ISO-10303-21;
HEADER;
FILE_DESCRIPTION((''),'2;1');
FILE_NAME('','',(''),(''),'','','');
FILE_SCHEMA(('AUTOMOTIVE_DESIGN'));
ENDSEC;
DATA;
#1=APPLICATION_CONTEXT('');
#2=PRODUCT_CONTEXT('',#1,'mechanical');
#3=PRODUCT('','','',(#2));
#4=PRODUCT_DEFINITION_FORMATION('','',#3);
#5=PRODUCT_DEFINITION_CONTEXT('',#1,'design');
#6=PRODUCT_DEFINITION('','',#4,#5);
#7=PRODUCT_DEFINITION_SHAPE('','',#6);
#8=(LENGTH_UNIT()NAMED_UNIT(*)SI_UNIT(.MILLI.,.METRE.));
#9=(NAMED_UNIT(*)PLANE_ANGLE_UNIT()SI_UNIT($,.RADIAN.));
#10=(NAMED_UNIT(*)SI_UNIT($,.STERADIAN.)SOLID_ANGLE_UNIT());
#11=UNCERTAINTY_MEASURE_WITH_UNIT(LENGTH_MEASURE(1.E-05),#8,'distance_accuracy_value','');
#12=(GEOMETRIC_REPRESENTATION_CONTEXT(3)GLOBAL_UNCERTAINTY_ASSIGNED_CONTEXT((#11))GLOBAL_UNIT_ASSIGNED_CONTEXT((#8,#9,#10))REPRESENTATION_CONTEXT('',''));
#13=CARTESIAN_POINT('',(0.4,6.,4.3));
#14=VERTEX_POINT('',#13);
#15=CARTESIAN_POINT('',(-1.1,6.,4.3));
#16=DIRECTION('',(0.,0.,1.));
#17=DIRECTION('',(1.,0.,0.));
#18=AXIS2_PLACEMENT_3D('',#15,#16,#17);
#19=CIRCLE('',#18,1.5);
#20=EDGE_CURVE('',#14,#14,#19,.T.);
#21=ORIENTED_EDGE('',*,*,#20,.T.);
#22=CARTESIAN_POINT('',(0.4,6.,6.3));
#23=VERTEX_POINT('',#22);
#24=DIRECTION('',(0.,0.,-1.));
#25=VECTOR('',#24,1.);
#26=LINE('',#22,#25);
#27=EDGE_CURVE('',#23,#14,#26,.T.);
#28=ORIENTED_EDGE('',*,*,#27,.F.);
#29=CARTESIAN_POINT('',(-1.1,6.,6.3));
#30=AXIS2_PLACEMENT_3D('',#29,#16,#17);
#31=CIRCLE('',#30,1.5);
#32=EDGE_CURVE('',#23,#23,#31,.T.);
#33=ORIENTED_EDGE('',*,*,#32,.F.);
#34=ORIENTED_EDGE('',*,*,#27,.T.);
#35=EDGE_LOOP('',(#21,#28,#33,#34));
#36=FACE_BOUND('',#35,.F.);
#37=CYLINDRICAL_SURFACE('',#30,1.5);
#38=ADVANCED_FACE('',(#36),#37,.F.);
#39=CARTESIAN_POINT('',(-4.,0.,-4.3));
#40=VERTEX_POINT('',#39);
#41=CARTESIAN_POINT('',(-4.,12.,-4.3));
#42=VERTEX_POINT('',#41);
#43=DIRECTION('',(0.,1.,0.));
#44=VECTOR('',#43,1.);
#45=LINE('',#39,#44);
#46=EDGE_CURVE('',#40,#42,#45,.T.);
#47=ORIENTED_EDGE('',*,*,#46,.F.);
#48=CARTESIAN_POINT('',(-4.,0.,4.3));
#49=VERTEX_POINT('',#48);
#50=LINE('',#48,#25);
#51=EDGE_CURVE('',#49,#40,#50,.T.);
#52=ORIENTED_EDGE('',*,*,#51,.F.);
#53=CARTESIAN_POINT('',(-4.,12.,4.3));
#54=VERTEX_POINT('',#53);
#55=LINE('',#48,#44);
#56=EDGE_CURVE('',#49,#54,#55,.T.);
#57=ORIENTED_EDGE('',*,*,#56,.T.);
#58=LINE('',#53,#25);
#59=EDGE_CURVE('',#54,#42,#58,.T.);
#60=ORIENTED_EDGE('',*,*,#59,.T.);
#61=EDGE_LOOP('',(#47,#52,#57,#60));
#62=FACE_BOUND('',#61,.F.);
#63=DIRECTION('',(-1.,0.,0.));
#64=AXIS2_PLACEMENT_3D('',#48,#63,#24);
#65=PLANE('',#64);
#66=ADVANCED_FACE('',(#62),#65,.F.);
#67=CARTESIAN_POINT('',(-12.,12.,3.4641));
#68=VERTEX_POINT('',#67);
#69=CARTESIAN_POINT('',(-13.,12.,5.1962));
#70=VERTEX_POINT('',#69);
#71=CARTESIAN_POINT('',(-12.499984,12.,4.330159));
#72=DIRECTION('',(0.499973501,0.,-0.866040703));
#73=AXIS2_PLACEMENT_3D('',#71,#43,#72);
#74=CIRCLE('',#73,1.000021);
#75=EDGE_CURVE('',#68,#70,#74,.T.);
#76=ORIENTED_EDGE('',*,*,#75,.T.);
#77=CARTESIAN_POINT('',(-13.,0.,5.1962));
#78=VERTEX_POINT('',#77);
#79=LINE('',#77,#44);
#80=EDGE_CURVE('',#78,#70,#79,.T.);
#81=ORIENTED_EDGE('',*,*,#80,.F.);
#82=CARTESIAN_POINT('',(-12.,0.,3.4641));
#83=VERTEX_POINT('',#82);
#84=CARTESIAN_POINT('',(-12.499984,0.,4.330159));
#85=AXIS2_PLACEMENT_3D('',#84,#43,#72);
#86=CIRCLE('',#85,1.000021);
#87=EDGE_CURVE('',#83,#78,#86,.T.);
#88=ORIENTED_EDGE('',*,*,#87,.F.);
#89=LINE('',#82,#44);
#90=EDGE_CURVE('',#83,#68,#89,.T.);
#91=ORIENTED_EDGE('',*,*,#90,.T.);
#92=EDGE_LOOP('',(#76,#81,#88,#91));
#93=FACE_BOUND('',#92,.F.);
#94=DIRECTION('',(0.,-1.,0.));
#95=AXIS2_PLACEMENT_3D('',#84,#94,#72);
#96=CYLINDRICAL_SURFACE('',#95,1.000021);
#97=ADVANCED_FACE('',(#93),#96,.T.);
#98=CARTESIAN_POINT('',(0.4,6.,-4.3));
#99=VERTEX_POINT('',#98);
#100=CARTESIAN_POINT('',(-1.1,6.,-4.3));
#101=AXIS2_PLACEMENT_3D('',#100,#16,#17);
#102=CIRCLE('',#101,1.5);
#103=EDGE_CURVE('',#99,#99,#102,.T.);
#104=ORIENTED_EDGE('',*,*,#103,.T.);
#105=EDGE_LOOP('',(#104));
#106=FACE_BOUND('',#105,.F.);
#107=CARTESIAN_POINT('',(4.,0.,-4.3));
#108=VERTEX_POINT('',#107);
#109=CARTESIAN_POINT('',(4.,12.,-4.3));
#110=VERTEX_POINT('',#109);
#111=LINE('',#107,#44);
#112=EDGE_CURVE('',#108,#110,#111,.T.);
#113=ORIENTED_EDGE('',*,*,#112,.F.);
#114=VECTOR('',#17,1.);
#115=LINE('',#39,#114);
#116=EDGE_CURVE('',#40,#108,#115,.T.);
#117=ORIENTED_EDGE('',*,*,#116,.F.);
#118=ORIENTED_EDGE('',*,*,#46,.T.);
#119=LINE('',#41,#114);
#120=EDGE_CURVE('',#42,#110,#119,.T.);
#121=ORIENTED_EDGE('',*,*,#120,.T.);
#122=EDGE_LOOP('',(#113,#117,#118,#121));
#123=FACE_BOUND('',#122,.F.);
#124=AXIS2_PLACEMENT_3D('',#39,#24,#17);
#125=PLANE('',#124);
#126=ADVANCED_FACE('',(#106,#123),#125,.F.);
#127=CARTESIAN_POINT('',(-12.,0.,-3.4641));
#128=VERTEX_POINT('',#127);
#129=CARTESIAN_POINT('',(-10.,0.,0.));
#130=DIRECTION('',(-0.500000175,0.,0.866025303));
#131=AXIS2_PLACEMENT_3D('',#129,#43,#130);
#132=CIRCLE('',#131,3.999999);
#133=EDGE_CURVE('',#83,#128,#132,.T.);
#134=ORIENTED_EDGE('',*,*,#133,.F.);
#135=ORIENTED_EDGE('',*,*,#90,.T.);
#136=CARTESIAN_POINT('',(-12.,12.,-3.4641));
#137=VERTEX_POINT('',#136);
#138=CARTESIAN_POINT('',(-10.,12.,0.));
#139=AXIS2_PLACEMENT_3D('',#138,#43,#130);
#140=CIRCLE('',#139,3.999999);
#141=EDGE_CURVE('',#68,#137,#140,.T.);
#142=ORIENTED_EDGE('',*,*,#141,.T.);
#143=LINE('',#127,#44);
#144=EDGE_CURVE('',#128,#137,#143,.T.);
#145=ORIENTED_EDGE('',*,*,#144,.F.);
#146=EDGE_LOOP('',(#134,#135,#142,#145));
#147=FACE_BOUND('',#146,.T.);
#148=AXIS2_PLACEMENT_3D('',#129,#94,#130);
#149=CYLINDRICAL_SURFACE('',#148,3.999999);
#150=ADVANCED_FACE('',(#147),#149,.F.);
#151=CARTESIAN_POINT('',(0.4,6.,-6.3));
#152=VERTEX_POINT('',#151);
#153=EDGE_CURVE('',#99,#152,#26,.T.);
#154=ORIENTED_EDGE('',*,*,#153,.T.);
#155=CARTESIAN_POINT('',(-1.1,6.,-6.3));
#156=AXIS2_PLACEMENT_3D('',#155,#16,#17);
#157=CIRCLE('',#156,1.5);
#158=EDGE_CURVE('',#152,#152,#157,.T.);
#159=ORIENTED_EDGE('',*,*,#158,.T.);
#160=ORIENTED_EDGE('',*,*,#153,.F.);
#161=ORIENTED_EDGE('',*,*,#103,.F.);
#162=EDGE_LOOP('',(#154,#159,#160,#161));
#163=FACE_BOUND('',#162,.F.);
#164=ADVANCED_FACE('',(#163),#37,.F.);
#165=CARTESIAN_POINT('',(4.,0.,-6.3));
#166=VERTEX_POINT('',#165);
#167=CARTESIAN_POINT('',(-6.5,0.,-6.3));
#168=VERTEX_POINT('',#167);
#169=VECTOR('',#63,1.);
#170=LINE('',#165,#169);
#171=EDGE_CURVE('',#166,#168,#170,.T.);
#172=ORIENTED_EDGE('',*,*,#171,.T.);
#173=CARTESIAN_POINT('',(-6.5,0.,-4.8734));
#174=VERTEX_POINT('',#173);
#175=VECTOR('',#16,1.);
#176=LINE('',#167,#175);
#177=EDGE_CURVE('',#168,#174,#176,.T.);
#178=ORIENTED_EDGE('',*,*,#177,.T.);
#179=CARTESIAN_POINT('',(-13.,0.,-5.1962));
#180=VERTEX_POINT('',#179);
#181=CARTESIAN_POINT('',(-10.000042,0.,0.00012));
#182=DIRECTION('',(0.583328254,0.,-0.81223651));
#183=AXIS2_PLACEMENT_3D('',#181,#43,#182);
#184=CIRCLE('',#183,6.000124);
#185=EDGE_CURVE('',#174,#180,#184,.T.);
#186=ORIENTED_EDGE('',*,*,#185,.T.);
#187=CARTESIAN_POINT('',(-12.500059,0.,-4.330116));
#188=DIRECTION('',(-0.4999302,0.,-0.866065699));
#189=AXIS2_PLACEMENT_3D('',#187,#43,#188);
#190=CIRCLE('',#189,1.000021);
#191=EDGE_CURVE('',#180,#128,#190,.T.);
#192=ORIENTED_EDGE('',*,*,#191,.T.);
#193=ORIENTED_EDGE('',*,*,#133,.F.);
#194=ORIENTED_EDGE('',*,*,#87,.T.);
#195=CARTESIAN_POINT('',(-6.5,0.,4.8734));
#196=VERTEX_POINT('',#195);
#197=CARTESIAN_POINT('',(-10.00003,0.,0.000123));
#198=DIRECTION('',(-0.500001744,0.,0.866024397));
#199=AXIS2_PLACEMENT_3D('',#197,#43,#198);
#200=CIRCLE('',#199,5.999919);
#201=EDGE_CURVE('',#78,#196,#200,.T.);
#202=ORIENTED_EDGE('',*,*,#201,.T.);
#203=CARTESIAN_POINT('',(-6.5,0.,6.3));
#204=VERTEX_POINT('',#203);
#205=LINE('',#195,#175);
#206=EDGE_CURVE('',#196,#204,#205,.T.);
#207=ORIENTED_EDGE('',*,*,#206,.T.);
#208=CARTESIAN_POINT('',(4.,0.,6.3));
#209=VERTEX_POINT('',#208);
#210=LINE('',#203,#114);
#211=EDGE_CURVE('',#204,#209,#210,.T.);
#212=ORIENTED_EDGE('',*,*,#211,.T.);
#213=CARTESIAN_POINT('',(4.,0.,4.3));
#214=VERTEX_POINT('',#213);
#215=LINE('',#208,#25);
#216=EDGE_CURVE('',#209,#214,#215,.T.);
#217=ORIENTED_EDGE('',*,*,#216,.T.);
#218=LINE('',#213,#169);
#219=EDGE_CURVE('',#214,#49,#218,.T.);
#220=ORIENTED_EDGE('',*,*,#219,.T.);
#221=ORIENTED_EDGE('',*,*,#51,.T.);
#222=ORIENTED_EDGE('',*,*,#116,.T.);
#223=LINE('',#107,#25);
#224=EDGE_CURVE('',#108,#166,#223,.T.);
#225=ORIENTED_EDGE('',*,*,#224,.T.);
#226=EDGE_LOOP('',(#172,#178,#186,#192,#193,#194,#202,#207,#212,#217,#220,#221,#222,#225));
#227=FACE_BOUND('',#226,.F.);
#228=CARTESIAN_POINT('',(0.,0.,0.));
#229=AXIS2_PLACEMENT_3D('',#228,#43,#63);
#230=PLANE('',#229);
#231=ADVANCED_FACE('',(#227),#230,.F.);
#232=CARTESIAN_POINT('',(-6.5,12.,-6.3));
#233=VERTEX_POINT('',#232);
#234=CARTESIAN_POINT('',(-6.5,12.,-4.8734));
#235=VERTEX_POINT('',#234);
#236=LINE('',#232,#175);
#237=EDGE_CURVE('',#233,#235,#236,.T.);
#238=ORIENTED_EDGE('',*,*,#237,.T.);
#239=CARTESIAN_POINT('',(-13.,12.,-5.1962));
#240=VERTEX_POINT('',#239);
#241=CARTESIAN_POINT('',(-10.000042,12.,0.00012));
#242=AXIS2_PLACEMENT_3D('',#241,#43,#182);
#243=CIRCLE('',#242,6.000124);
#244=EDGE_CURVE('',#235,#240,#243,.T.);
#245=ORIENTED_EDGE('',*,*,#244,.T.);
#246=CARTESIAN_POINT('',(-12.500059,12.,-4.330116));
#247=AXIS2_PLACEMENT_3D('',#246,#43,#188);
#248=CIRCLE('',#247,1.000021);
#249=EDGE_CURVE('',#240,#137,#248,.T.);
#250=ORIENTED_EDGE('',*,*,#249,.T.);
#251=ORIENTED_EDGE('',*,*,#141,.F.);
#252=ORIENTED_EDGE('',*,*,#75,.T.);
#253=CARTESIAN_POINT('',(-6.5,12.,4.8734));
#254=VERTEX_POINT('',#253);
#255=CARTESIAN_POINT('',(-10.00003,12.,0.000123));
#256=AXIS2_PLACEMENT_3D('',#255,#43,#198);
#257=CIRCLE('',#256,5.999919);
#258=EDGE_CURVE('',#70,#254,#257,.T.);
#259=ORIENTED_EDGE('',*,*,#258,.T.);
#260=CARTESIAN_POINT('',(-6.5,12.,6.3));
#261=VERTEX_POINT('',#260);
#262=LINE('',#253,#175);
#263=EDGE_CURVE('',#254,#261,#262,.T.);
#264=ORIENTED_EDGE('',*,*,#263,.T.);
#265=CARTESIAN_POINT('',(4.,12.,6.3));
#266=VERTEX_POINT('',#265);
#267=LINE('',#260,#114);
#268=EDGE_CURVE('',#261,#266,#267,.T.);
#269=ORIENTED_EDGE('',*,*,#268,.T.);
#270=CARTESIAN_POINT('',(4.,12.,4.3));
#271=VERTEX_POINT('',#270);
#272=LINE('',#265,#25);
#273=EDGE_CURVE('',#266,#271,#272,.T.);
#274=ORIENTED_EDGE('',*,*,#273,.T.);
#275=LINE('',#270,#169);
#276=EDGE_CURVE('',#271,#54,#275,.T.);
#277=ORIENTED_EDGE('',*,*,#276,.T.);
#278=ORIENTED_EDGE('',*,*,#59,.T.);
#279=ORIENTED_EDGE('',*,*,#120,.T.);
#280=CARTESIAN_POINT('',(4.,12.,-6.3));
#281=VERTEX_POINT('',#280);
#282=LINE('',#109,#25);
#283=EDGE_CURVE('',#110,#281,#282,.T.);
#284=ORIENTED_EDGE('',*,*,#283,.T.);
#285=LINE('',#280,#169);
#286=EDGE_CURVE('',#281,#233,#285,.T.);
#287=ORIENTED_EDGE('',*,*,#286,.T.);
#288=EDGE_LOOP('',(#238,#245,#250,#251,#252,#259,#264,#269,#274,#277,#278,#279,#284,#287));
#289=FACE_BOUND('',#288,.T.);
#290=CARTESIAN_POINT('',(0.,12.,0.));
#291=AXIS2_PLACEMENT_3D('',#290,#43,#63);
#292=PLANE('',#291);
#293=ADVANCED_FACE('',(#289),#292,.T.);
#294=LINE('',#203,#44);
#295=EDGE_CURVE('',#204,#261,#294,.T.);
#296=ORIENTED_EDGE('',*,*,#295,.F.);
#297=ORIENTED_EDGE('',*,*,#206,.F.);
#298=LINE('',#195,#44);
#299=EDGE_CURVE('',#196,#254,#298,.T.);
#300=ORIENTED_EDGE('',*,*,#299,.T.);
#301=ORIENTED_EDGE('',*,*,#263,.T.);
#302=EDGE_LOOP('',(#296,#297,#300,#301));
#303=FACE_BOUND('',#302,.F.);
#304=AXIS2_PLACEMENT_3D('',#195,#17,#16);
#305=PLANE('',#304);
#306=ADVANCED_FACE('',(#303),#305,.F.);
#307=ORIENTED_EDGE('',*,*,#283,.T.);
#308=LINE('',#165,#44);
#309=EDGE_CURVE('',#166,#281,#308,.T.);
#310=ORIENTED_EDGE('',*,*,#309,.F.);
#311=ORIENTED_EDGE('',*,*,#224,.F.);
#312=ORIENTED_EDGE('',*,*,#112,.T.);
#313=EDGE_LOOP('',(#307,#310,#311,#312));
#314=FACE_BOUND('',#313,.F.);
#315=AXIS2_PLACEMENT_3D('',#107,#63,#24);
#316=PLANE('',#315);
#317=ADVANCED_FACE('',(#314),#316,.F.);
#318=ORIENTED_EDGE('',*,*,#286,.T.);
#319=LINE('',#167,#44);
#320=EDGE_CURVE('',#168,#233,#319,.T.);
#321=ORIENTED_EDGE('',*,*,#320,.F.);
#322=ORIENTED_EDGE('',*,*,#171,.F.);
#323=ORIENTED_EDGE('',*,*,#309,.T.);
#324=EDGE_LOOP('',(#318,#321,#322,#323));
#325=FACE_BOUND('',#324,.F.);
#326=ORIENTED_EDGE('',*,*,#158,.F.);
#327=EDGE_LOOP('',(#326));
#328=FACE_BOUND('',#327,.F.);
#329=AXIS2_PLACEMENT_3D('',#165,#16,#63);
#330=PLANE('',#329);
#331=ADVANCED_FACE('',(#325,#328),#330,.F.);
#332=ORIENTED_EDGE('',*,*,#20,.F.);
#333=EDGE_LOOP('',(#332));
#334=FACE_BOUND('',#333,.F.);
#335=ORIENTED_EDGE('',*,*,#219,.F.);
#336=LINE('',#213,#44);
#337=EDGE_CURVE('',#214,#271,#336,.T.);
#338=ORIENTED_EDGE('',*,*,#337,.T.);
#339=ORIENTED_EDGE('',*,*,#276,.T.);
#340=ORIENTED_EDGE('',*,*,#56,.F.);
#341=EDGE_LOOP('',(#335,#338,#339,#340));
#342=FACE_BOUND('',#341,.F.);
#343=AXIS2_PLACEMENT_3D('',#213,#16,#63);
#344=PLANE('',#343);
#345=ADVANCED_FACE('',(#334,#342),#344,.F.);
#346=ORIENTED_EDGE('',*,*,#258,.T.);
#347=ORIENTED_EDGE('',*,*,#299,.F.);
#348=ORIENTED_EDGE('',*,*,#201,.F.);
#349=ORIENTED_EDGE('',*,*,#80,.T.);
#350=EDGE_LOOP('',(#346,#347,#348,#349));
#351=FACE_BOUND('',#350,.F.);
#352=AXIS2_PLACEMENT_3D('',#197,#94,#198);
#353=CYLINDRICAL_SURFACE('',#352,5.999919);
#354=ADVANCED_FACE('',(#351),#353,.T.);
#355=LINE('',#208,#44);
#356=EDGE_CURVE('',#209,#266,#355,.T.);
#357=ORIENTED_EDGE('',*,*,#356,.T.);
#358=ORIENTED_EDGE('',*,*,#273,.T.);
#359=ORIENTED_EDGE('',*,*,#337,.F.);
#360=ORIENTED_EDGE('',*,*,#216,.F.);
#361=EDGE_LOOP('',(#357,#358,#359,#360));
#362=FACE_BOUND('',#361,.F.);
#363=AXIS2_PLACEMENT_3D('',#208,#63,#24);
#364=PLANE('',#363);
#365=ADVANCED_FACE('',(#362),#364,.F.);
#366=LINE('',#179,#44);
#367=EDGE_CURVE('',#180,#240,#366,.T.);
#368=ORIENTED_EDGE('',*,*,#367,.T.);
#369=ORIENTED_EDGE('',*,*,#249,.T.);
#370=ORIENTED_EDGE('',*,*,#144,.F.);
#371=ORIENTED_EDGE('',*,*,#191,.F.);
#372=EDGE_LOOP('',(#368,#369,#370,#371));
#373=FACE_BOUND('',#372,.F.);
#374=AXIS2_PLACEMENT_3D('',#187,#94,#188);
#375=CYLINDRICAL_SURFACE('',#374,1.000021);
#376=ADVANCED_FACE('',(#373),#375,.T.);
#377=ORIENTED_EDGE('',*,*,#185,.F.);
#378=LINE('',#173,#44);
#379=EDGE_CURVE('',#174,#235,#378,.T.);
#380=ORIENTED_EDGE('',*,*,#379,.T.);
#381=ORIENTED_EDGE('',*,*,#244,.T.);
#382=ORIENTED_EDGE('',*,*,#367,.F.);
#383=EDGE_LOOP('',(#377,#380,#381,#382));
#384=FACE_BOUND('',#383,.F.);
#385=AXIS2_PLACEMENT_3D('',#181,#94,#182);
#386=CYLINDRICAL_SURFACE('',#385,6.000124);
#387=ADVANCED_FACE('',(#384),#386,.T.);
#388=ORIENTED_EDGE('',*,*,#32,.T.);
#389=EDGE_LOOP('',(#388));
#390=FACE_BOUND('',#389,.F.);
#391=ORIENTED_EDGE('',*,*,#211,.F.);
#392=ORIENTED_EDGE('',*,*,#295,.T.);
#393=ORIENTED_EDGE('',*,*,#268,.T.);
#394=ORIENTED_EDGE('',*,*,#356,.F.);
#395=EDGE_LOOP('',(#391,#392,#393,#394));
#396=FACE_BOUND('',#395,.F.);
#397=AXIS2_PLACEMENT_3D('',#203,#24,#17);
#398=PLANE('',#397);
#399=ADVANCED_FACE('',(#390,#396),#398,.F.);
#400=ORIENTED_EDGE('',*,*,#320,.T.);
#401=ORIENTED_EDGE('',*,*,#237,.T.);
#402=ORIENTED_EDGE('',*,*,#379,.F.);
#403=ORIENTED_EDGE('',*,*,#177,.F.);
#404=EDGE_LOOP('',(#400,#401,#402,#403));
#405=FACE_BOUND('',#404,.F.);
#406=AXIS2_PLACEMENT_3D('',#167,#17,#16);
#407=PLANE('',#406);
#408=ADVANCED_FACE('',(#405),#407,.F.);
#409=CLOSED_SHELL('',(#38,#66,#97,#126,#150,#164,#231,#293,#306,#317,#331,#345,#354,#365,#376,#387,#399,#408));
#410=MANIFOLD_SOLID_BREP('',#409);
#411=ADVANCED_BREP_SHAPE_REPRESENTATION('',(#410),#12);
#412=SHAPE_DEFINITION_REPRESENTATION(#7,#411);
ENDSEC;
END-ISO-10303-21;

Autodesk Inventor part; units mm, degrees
ref_plane "YZ Plane" through (0, 0, 0) normal (1, 0, 0) x (0, 1, 0)
ref_plane "XZ Plane" through (0, 0, 0) normal (0, 1, 0) x (-1, 0, 0)
ref_plane "XY Plane" through (0, 0, 0) normal (0, 0, 1) x (1, 0, 0)
sketch "Sketch1" plane through (0, 0, 0) normal (0, 1, 0) x (-1, 0, 0)
  line L0 (6.5, 6.3) -> (-4, 6.3)
  line L1 (-4, -6.3) -> (6.5, -6.3)
  line L2 (-4, 4.3) -> (4, 4.3)
  line L3 (4, 4.3) -> (4, -4.3)
  line L4 (4, -4.3) -> (-4, -4.3)
  arc A0 (12, 3.4641) -> (12, -3.4641) centre (10, 0) ccw
  line L5 (6.5, -6.3) -> (6.5, -4.8734)
  line L6 (6.5, 4.8734) -> (6.5, 6.3)
  line L7 (-4, 6.3) -> (-4, 4.3)
  line L8 (-4, -4.3) -> (-4, -6.3)
  arc A1 (12, 3.4641) -> (13, 5.1962) centre (12.5, 4.3301) ccw
  arc A2 (13, -5.1962) -> (12, -3.4641) centre (12.5, -4.3301) ccw
  arc A3 (6.5, -4.8734) -> (13, -5.1962) centre (10, 0) ccw
  arc A4 (13, 5.1962) -> (6.5, 4.8734) centre (10, 0) ccw
  point P0 (0, 0)
  point P1 (4, 0)
  point P2 (-6.8446, 0)
  point P3 (-6.8446, 0)
  point P4 (0, 4.3)
  point P5 (0, -4.3)
  dimension "d1" = 8
  dimension "d2" = 2.5
  dimension "d3" = 8.6
  dimension "d4" = 2
  dimension "d5" = 6
  dimension "d6" = 2.5
  dimension "d7" = 2.5
  dimension "d8" = 6
  dimension "d9" = 6
  dimension "d10" = 8
extrude "Extrusion1" add sketch "Sketch1" along normal blind 12
sketch "Sketch2" plane through (-6.5, 0, 6.3) normal (0, 0, 1) x (1, 0, 0)
  circle A0 centre (5.4, 6) radius 1.5
  line L0 (2.5, 0) -> (2.5, 12) projected
  point P0 (6.5, 0)
  dimension "d13" = 2.9
  dimension "d14" = 6
  dimension "d15" = 3
extrude "Extrusion2" cut sketch "Sketch2" against normal blind 65.75
properties part number "2mm_3mm Weight Clamp"
